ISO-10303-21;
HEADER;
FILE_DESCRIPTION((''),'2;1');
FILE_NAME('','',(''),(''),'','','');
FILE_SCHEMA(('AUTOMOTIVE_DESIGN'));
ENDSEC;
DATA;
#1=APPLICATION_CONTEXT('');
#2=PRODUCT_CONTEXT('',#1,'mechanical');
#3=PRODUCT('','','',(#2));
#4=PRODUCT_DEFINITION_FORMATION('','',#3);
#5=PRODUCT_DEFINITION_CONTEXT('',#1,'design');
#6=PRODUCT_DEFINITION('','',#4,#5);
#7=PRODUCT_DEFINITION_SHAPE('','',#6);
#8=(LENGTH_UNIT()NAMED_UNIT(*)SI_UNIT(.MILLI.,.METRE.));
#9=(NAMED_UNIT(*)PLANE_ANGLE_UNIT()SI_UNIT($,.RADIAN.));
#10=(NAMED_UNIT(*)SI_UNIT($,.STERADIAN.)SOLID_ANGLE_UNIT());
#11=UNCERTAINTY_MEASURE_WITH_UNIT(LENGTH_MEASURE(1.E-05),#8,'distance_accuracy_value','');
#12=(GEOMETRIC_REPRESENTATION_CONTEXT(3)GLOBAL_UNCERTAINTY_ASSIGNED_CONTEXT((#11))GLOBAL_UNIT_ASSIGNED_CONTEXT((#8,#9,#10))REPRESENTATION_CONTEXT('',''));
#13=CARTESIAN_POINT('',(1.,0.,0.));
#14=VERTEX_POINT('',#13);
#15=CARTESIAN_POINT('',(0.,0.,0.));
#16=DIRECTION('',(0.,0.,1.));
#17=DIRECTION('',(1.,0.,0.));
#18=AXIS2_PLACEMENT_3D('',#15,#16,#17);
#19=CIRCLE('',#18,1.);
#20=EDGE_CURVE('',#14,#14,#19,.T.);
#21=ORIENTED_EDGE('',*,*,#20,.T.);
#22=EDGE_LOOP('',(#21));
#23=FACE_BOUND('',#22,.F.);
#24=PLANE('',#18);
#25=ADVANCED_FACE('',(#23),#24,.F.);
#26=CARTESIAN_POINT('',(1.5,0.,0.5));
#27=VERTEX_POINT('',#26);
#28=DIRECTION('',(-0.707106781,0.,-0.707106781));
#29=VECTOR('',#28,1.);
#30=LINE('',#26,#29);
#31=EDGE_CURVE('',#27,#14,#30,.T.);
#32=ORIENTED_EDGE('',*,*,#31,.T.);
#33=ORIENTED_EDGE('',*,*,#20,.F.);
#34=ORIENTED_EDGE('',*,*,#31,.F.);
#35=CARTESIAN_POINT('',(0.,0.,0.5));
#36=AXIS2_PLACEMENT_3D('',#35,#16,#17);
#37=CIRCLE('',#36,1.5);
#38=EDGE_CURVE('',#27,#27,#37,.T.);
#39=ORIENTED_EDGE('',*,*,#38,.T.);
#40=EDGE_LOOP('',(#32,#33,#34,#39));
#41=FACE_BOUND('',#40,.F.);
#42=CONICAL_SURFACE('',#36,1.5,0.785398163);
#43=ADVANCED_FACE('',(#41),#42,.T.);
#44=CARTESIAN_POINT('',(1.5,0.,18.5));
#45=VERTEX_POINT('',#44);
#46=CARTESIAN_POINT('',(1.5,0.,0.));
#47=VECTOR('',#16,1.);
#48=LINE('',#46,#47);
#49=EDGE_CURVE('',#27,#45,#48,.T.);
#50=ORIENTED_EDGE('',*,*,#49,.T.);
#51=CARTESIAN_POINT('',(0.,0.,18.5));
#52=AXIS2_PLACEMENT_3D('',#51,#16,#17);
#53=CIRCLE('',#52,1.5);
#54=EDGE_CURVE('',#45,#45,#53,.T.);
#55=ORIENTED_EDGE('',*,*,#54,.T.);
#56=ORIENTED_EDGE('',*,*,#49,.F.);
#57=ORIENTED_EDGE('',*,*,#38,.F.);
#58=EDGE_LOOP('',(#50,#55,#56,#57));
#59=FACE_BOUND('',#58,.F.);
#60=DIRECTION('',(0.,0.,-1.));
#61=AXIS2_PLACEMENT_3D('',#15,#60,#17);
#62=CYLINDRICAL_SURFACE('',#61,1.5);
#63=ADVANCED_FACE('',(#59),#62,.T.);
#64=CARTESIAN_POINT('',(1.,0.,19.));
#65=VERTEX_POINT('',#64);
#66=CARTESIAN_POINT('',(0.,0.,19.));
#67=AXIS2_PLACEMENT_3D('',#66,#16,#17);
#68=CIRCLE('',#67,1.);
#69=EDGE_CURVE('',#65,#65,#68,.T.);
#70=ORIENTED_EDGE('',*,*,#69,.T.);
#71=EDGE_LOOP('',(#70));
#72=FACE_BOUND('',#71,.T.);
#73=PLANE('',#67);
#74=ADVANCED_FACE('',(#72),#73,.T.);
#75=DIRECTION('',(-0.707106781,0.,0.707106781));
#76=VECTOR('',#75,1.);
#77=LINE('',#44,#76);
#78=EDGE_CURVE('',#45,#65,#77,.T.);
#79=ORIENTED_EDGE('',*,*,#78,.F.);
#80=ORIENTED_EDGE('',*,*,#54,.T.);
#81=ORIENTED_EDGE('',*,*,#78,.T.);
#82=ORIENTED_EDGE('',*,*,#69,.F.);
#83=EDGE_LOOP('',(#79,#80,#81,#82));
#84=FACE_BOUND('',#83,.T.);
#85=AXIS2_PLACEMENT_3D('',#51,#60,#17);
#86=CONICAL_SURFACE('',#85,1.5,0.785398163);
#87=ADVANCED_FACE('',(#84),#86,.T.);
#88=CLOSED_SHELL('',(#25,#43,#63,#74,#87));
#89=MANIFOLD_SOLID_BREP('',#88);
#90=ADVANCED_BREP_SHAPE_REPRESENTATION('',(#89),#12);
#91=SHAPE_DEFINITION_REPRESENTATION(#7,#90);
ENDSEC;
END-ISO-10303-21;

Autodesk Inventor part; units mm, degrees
ref_plane "YZ Plane" through (0, 0, 0) normal (1, 0, 0) x (0, 1, 0)
ref_plane "XZ Plane" through (0, 0, 0) normal (0, 1, 0) x (-1, 0, 0)
ref_plane "XY Plane" through (0, 0, 0) normal (0, 0, 1) x (1, 0, 0)
sketch "Sketch1" plane through (0, 0, 0) normal (0, 0, 1) x (1, 0, 0)
  circle A0 centre (0, 0) radius 1.5
  dimension "d0" = 3
extrude "Extrusion1" add sketch "Sketch1" along normal blind 19
chamfer "Chamfer1" distance 0.5 angle 45 2 edges at (-1.5, 0, 19) (-1.5, 0, 0)
properties part number "MotorBeltTensionerAxis"
